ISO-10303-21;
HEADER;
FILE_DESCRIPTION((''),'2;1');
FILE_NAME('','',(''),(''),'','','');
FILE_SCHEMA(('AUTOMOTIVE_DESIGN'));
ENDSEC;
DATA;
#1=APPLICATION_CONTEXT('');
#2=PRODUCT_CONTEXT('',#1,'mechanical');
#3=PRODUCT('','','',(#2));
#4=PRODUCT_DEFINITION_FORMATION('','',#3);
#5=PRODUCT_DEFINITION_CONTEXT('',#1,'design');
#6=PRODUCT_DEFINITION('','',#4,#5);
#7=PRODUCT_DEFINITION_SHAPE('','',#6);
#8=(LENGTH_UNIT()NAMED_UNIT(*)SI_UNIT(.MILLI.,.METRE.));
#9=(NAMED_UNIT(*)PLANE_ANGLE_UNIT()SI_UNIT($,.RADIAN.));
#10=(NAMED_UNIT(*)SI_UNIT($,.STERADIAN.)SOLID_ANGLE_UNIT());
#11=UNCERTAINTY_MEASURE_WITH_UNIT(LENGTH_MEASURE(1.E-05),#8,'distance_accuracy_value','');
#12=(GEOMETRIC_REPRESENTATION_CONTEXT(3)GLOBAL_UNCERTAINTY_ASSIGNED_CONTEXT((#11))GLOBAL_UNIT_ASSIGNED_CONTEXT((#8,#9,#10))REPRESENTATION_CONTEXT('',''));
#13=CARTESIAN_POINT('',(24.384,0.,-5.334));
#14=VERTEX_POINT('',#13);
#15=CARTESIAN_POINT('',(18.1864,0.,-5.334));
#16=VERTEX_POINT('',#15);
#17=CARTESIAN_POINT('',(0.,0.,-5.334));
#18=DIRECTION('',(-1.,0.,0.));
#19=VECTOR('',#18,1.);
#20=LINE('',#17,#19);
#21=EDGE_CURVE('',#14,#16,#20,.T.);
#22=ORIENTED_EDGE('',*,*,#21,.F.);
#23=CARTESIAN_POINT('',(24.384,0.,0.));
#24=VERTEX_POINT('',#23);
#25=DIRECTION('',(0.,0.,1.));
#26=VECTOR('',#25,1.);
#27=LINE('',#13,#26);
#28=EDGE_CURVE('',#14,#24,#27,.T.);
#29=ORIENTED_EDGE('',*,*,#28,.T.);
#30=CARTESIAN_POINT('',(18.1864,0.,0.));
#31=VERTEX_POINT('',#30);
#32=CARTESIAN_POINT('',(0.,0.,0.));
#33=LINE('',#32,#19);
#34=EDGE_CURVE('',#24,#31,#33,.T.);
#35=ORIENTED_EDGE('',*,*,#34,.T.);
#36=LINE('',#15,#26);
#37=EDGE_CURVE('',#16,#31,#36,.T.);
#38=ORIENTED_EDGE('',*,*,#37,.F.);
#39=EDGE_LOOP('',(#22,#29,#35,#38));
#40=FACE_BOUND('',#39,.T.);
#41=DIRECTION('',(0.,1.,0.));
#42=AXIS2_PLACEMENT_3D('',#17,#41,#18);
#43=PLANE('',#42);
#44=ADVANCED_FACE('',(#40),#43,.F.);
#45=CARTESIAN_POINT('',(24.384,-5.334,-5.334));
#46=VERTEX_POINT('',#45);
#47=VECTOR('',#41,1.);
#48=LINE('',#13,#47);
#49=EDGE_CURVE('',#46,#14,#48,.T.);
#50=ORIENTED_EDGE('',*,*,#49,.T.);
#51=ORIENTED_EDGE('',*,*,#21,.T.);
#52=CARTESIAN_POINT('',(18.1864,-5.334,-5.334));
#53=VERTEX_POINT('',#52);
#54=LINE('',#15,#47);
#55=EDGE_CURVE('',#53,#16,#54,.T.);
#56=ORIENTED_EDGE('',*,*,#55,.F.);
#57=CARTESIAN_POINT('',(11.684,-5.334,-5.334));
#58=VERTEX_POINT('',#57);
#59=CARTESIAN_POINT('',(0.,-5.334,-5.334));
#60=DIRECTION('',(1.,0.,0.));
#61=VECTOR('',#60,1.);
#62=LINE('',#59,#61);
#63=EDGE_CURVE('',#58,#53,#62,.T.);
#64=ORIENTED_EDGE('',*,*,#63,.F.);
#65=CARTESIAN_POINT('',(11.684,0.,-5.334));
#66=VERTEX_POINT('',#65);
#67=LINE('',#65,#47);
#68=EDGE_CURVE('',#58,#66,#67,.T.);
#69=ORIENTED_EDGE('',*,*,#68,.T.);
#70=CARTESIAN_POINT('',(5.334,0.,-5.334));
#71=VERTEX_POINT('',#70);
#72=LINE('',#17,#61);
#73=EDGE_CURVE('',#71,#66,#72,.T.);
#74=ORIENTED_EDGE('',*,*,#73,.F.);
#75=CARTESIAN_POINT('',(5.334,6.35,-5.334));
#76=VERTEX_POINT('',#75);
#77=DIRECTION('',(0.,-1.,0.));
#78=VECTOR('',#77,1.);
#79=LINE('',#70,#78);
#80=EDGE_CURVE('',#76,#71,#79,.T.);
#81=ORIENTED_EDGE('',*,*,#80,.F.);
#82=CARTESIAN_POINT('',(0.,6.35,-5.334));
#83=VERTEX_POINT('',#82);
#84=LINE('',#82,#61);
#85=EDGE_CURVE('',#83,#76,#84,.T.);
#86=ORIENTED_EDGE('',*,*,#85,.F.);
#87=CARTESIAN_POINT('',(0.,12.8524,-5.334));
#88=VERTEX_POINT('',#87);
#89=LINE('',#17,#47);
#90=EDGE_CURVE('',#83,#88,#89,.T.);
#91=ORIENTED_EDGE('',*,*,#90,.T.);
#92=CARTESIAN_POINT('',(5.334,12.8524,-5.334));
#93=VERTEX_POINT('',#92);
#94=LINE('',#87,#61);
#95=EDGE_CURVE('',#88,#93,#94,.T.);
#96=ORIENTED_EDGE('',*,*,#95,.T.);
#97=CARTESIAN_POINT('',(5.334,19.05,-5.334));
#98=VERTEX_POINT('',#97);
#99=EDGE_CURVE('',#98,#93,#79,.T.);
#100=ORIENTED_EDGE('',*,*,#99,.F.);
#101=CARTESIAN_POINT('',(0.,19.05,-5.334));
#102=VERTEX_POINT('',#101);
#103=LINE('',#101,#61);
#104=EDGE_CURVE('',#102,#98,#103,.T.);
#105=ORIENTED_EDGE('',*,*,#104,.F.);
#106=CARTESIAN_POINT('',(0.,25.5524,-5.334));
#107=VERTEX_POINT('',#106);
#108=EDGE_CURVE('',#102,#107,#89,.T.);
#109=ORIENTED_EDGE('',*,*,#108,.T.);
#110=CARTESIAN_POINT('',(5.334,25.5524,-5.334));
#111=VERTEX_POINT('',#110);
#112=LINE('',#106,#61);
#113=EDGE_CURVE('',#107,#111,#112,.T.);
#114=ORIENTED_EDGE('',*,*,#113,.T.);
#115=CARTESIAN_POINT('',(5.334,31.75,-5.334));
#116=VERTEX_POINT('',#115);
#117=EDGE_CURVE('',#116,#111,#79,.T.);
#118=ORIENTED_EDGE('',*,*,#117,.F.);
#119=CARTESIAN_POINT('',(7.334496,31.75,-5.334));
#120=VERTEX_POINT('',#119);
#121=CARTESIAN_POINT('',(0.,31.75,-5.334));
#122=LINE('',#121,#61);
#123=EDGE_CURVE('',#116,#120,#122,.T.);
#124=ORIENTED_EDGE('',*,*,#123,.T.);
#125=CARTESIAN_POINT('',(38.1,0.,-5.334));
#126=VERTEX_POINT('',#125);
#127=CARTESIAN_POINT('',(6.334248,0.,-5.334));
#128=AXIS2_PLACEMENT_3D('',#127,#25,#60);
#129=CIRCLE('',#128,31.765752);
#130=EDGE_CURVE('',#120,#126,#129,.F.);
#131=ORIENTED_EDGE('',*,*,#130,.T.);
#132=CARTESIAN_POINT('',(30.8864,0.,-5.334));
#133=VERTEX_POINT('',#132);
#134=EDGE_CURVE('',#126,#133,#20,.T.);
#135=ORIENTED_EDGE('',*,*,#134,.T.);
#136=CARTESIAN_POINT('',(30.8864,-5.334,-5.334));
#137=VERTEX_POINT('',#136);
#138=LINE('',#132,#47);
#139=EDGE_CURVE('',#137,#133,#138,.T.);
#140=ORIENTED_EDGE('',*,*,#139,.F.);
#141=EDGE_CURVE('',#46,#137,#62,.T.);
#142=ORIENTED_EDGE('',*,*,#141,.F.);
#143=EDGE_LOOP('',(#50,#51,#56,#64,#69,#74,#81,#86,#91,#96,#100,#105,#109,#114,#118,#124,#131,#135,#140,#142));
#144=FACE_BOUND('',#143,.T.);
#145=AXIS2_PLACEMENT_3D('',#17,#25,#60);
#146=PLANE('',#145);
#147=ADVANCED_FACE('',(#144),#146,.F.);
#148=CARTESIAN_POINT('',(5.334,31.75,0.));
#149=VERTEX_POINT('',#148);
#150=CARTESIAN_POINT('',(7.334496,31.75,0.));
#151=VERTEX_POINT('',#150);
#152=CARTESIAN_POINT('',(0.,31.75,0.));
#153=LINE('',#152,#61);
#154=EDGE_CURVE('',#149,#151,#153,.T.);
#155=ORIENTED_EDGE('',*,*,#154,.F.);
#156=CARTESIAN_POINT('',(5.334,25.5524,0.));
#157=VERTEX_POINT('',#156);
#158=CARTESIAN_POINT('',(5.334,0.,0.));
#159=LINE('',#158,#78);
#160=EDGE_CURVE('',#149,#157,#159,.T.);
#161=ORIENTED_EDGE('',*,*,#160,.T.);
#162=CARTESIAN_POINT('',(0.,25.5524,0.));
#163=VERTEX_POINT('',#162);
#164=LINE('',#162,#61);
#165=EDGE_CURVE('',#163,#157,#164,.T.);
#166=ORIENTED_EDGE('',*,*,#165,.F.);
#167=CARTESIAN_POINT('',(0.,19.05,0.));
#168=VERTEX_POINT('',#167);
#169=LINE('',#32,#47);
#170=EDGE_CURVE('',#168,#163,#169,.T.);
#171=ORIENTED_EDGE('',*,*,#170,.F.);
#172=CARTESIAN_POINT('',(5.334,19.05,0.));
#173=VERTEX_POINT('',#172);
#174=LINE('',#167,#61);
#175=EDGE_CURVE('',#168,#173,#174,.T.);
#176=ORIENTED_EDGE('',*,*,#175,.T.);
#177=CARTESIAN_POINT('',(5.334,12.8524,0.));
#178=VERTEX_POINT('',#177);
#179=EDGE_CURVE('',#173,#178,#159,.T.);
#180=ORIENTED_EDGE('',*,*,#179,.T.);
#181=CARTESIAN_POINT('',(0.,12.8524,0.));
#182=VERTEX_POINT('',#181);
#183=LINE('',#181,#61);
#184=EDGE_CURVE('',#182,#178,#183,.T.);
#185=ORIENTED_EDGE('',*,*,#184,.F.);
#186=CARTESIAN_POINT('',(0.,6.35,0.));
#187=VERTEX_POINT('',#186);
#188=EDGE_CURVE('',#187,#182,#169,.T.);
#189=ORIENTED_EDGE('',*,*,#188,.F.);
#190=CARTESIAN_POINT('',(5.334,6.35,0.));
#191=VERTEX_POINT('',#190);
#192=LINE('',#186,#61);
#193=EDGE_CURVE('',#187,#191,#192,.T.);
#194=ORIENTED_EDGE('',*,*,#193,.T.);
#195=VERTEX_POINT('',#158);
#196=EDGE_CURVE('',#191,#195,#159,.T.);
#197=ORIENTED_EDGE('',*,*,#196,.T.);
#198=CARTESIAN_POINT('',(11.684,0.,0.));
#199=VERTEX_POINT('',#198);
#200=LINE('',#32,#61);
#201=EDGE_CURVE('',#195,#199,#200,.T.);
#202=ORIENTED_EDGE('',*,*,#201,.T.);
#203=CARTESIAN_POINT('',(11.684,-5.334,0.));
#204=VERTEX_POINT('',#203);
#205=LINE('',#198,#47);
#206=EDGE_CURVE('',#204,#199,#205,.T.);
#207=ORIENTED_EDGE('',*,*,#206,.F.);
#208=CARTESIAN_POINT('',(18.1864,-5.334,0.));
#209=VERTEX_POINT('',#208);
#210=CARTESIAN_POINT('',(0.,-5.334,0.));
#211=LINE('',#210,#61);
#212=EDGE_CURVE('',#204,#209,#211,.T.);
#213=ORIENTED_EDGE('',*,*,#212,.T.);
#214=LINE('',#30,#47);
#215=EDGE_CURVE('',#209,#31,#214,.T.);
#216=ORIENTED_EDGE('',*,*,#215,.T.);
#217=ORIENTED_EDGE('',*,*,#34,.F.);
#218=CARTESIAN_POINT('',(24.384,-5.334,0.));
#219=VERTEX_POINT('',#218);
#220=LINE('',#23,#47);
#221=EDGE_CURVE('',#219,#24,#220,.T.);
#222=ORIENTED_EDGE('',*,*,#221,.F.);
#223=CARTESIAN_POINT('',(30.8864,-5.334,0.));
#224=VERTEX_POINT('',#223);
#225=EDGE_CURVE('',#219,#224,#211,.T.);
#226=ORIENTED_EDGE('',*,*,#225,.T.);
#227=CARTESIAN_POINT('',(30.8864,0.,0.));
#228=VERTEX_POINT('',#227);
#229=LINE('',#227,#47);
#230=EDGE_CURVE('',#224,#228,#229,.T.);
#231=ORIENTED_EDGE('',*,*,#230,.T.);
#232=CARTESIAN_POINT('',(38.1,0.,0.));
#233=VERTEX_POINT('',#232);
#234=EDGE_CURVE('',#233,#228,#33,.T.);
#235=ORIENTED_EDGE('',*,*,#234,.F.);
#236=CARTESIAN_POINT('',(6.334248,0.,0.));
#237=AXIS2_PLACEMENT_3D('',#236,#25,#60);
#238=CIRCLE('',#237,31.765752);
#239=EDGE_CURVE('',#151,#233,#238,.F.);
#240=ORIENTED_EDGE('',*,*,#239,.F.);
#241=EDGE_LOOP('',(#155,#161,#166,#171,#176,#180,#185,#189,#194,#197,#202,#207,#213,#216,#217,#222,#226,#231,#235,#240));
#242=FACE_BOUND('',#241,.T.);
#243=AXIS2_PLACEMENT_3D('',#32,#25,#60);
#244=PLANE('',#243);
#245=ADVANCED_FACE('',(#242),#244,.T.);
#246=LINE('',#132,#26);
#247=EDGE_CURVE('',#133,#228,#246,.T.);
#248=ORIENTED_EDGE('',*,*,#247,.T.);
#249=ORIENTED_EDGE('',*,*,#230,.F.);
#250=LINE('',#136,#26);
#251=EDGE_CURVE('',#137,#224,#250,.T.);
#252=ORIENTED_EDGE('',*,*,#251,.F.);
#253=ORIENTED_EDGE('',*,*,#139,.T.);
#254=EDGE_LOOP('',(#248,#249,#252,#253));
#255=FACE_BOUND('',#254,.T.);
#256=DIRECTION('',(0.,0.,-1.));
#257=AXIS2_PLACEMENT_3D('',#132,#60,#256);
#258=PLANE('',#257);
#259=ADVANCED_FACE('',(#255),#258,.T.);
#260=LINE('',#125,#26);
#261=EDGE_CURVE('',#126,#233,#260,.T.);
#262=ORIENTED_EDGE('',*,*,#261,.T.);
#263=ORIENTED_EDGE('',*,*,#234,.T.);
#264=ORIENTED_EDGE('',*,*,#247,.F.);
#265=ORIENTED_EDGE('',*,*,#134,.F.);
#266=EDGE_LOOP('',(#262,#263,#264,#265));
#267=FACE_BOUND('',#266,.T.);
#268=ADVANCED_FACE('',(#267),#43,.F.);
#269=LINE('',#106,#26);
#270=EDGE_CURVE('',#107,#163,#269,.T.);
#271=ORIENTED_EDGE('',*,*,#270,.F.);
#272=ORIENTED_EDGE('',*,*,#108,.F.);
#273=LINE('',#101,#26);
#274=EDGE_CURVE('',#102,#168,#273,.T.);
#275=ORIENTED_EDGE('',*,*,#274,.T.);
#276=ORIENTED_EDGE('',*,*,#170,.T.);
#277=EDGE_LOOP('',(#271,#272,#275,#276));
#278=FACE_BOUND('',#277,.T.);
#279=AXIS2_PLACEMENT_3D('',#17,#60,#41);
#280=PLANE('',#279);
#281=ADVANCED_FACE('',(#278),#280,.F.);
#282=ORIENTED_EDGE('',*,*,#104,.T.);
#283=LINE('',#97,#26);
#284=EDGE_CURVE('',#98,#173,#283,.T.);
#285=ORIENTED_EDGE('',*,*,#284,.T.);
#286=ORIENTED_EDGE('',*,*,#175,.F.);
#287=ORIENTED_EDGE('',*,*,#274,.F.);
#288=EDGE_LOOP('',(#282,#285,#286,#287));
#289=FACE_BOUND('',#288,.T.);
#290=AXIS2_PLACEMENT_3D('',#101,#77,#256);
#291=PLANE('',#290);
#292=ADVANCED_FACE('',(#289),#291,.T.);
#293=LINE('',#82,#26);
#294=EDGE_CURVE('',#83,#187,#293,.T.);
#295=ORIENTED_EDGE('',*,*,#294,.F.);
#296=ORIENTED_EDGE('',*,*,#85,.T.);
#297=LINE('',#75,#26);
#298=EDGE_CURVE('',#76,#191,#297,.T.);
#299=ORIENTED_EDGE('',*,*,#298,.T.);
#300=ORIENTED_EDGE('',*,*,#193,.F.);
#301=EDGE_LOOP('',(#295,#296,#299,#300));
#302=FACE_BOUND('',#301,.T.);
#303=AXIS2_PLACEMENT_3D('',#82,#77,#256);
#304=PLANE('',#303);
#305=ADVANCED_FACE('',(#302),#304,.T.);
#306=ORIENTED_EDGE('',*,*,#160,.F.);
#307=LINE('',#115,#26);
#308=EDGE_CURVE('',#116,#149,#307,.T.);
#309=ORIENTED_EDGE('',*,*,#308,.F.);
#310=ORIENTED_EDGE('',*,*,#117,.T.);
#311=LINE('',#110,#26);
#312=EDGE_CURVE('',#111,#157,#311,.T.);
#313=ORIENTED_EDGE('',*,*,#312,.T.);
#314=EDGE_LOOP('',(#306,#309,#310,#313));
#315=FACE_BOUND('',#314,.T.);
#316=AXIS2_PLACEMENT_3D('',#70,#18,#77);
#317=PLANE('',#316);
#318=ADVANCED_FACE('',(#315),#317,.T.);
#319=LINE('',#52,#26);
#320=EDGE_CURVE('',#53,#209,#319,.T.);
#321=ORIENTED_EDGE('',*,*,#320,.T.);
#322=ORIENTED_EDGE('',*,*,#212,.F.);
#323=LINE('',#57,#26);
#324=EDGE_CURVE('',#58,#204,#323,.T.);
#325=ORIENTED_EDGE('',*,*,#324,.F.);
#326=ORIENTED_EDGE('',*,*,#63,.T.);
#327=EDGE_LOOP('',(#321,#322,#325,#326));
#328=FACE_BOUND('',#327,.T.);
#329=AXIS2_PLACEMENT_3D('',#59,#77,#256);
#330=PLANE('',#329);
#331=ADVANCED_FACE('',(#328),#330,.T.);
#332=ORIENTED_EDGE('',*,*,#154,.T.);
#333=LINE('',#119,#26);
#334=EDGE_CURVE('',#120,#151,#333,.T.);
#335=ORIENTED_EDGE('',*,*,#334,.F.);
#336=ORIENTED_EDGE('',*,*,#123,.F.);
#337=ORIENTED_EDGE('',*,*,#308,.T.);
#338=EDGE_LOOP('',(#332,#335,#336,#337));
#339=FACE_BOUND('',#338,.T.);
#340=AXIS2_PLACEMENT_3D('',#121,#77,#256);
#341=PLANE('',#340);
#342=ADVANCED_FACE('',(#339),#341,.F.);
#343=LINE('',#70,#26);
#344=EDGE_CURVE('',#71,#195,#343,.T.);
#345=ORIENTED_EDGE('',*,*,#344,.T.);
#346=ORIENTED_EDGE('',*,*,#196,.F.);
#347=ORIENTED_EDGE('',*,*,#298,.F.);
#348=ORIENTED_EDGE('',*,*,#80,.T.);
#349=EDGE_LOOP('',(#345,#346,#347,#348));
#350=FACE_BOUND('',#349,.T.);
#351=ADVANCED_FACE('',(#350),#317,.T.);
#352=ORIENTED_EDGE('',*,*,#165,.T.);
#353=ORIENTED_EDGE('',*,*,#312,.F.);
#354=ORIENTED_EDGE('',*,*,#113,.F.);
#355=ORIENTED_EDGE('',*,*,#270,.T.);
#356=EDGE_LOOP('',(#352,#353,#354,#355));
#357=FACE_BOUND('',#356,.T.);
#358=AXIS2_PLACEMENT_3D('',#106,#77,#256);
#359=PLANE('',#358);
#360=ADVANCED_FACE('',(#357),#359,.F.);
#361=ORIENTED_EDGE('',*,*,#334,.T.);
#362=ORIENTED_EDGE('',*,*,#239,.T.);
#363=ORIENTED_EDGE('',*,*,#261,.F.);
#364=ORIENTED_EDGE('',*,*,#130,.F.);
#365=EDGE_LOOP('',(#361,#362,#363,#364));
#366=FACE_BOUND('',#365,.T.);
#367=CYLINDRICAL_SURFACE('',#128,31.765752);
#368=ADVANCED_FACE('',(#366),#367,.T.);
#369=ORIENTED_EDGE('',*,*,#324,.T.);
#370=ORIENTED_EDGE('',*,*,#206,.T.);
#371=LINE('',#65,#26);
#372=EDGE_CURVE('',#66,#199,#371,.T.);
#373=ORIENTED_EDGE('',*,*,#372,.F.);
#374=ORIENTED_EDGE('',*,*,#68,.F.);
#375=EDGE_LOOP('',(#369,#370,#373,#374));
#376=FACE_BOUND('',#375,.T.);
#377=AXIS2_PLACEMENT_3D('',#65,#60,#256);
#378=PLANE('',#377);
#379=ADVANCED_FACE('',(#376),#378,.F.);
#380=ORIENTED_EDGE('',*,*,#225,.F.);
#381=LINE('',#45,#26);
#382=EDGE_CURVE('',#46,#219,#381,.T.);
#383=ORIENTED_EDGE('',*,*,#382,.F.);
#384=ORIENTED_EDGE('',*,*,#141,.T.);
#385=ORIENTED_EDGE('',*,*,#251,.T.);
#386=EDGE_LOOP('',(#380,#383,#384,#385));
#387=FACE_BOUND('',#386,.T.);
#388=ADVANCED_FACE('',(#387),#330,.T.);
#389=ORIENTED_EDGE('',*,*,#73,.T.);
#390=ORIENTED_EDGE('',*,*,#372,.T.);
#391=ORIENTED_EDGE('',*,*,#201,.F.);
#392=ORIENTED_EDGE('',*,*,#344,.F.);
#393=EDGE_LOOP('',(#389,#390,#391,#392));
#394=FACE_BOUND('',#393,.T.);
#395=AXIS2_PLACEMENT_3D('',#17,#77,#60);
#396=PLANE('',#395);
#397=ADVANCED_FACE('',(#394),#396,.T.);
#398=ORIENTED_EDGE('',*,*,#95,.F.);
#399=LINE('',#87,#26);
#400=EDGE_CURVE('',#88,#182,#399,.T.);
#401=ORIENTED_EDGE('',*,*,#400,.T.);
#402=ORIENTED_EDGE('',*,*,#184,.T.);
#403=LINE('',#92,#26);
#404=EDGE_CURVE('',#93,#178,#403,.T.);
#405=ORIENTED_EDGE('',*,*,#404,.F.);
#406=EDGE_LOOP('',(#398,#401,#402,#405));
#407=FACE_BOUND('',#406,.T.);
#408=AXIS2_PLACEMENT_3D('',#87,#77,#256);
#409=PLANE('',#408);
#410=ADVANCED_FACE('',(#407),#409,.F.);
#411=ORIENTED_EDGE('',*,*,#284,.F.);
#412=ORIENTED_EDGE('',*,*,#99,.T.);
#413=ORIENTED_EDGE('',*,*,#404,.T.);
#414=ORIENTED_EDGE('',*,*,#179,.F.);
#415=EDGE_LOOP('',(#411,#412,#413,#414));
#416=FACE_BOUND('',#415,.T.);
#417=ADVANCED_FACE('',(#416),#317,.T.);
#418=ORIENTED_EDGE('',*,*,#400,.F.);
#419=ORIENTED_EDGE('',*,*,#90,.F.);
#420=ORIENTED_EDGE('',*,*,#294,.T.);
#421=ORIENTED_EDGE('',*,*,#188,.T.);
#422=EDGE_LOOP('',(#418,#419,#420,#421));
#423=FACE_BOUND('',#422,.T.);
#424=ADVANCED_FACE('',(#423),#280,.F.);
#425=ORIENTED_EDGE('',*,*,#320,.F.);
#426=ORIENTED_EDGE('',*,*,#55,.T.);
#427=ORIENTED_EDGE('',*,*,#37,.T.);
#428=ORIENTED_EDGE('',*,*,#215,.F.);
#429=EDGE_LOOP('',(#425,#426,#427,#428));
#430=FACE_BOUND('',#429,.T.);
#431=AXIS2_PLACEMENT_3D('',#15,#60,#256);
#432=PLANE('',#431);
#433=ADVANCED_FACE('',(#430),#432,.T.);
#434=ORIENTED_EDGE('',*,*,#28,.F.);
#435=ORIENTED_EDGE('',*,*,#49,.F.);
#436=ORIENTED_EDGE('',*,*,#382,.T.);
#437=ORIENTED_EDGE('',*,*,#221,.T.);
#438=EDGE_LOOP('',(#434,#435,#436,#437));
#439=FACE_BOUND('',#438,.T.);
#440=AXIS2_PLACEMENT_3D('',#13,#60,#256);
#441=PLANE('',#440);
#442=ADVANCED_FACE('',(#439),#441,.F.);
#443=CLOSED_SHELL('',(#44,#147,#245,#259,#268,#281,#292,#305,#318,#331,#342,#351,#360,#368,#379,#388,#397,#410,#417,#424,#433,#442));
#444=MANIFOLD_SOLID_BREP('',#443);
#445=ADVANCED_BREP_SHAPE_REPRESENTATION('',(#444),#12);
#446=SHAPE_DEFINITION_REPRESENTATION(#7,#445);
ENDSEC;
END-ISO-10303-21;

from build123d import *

# Parameters (mm, degrees)
BOSS_EXTRUDE1_DEPTH = 5.334
SKETCH2_W           = 5.334
SKETCH2_H           = 6.1976
SKETCH2_W_2         = 6.1976
SKETCH2_H_2         = 5.334
SKETCH2_W_3         = 7.2136
CUT_EXTRUDE1_DEPTH  = 50.881099186


with BuildPart() as part:
    # Sketch1 → Boss-Extrude1 (new body)
    with BuildSketch(Plane.XY):
        with BuildLine():
            Line((0, 31.75), (0, -5.334))
            Line((0, -5.334), (38.1, -5.334))
            Line((38.1, -5.334), (38.1, 0))
            ThreePointArc((38.1, 0), (29.146926861, 22.105308914), (7.334496124, 31.75))
            Line((7.334496124, 31.75), (5.334, 31.75))
            Line((5.334, 31.75), (0, 31.75))
        make_face()
    extrude(amount=-BOSS_EXTRUDE1_DEPTH)

    # Sketch2 → Cut-Extrude1 (cut, through all)
    with BuildSketch(Plane.XY):
        Polygon((11.684, -5.334), (11.684, 0), (5.334, 0), (5.334, 0.1524), (5.334, 6.35), (0, 6.35), (0, -5.334), align=None)
        with Locations((2.667, 28.6512)):
            Rectangle(SKETCH2_W, SKETCH2_H)
        with Locations((2.667, 15.9512)):
            Rectangle(SKETCH2_W, SKETCH2_H)
        with Locations((21.2852, -2.667)):
            Rectangle(SKETCH2_W_2, SKETCH2_H_2)
        with Locations((34.4932, -2.667)):
            Rectangle(SKETCH2_W_3, SKETCH2_H_2)
    extrude(amount=-CUT_EXTRUDE1_DEPTH, mode=Mode.SUBTRACT)


solid = part.part
